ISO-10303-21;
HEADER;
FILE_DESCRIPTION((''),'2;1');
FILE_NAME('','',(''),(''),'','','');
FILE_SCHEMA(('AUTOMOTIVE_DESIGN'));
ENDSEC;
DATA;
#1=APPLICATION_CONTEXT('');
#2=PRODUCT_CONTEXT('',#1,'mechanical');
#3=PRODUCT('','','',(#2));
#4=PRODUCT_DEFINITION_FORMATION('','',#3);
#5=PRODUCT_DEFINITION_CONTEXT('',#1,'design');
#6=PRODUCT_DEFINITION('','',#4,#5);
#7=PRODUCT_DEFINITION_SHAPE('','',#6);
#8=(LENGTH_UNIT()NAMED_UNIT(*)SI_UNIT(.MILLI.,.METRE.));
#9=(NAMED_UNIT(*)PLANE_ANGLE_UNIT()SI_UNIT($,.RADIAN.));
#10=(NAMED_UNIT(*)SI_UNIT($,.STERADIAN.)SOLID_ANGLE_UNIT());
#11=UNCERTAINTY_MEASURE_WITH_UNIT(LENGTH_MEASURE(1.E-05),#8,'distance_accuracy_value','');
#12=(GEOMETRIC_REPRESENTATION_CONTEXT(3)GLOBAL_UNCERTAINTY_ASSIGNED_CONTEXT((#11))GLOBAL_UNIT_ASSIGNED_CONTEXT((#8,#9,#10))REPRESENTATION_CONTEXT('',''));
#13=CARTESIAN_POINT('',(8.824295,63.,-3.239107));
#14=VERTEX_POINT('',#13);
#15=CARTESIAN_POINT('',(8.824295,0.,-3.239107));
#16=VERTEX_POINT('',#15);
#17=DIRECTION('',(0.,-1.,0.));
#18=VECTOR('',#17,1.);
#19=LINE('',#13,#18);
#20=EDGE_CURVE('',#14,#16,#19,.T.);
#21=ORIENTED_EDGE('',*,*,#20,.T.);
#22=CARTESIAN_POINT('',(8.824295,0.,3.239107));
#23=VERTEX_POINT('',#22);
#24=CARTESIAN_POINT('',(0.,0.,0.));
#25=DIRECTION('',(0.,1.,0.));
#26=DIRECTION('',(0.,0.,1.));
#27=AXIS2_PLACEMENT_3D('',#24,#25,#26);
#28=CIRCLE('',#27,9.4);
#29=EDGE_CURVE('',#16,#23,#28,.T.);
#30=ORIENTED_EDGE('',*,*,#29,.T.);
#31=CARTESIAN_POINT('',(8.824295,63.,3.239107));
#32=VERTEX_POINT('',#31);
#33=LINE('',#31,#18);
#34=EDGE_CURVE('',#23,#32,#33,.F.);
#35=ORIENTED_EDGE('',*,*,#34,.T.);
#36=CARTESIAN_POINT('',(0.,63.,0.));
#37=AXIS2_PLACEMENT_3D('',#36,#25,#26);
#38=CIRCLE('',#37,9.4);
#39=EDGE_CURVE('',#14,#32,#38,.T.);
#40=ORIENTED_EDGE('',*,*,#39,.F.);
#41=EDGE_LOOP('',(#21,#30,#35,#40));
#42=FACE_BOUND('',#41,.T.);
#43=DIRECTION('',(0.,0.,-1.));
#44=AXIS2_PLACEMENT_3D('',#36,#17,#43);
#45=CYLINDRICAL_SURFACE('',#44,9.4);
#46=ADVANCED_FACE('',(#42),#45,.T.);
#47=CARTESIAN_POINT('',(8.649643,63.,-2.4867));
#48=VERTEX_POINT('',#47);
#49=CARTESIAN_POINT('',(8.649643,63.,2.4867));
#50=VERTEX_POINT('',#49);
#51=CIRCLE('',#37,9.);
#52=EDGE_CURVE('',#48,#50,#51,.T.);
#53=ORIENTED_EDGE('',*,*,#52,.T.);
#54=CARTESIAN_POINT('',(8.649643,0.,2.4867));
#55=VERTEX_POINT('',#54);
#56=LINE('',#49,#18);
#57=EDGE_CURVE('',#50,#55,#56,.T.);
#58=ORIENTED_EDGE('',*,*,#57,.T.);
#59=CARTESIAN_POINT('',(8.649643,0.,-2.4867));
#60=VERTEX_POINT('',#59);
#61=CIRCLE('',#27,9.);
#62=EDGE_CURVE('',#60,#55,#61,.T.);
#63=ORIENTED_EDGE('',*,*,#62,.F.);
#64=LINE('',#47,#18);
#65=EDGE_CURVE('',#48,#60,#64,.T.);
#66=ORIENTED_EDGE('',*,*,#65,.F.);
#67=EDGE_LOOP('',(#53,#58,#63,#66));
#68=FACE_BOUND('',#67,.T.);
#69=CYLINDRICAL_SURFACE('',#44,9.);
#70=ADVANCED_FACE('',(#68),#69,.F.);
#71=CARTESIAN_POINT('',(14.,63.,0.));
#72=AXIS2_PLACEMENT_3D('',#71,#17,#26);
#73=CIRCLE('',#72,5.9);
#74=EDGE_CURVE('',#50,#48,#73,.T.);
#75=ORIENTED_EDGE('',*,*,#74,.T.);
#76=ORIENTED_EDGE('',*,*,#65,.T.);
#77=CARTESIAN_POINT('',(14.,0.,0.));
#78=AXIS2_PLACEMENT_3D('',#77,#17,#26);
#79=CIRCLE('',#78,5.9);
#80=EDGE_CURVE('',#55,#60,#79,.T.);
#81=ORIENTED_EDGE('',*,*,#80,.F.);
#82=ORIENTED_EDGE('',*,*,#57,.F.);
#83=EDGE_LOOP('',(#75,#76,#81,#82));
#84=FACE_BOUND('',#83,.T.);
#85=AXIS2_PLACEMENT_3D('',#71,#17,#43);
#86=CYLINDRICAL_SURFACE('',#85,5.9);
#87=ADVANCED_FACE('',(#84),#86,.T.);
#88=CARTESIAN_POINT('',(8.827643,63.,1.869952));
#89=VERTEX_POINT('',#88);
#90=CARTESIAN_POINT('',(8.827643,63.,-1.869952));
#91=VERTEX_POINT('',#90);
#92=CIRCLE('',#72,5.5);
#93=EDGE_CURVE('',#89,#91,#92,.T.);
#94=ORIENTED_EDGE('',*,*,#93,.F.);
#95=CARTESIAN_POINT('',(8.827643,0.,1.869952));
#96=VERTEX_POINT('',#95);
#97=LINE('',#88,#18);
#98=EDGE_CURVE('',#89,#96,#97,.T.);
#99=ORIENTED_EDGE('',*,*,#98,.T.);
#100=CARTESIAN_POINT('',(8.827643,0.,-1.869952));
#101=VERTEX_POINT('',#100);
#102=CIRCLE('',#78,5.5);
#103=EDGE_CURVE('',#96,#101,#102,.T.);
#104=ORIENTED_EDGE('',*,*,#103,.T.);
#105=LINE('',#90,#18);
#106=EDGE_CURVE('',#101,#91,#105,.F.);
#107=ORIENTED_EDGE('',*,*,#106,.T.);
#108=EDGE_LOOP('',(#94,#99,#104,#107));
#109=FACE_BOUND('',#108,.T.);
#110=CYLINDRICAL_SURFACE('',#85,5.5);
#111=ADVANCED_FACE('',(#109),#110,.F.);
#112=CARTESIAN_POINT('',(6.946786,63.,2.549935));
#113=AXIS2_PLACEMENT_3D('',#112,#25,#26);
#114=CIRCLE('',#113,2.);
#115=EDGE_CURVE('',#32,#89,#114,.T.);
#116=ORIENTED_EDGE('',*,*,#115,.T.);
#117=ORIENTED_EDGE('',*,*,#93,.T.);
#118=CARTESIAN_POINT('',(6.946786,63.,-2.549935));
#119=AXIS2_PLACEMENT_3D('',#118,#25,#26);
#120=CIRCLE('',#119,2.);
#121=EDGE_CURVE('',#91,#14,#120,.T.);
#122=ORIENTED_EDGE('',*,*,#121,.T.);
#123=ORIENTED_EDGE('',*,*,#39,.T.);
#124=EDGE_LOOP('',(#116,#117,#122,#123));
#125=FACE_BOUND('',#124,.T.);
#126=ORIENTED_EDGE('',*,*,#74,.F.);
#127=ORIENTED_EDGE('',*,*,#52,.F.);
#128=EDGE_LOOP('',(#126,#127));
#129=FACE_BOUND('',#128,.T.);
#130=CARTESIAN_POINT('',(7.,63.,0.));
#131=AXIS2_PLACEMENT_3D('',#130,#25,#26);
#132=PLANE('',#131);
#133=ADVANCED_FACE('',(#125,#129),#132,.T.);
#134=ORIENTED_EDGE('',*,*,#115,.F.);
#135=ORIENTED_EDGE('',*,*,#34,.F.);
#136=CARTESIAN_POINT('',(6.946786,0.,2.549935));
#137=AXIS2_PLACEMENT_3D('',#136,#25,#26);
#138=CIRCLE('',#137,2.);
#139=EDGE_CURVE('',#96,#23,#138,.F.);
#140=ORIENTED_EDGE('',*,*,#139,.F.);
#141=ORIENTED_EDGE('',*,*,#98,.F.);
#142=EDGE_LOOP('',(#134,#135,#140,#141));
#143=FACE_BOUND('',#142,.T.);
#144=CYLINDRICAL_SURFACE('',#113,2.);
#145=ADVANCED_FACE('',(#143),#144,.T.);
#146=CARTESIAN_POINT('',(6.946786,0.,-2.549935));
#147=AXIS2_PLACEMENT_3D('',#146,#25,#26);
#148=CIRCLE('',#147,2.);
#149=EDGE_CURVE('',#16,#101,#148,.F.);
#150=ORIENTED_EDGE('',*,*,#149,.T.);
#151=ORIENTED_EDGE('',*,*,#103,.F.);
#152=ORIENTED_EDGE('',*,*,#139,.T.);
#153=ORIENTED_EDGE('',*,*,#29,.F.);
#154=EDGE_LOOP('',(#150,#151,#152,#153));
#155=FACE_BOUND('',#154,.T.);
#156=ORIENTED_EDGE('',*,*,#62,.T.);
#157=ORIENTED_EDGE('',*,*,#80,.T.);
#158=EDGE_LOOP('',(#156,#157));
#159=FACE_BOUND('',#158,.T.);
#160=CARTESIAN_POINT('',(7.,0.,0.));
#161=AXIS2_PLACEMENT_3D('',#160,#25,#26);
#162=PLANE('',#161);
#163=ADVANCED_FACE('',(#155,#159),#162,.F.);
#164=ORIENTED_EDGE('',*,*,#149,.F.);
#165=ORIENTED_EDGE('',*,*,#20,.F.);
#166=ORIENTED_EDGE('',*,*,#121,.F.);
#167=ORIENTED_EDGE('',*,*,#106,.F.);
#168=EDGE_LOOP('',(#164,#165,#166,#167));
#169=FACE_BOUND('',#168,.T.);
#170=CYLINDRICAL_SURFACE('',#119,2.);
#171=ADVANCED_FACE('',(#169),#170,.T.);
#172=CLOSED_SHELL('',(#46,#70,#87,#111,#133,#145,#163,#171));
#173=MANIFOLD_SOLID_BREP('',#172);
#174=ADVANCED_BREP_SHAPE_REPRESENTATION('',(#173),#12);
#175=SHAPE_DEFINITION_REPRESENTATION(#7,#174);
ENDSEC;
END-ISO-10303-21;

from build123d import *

# Parameters (mm, degrees)
BOSS_EXTRUDE1_DEPTH = 63
FILLET2_R           = 2


with BuildPart() as part:
    # Sketch1 → Boss-Extrude1 (new body)
    with BuildSketch(Plane(origin=(0, 0, 0), x_dir=(1, 0, 0), z_dir=(0, 1, 0))):
        with BuildLine():
            ThreePointArc((9.075357143, 2.44905956), (-9.4, 0), (9.075357143, -2.44905956))
            ThreePointArc((9.075357143, -2.44905956), (8.5, 0), (9.075357143, 2.44905956))
        make_face()
        with BuildLine():
            ThreePointArc((8.649642857, 2.486700312), (8.1, 0), (8.649642857, -2.486700312))
            ThreePointArc((8.649642857, -2.486700312), (-9, 0), (8.649642857, 2.486700312))
        make_face(mode=Mode.SUBTRACT)
    extrude(amount=BOSS_EXTRUDE1_DEPTH)

    # Fillet2
    fillet2_edges = [part.edges().sort_by_distance(p)[0] for p in [
        (9.075357143, 31.5, 2.44905956),
        (9.075357143, 31.5, -2.44905956),
    ]]
    fillet(fillet2_edges, radius=FILLET2_R)


solid = part.part
